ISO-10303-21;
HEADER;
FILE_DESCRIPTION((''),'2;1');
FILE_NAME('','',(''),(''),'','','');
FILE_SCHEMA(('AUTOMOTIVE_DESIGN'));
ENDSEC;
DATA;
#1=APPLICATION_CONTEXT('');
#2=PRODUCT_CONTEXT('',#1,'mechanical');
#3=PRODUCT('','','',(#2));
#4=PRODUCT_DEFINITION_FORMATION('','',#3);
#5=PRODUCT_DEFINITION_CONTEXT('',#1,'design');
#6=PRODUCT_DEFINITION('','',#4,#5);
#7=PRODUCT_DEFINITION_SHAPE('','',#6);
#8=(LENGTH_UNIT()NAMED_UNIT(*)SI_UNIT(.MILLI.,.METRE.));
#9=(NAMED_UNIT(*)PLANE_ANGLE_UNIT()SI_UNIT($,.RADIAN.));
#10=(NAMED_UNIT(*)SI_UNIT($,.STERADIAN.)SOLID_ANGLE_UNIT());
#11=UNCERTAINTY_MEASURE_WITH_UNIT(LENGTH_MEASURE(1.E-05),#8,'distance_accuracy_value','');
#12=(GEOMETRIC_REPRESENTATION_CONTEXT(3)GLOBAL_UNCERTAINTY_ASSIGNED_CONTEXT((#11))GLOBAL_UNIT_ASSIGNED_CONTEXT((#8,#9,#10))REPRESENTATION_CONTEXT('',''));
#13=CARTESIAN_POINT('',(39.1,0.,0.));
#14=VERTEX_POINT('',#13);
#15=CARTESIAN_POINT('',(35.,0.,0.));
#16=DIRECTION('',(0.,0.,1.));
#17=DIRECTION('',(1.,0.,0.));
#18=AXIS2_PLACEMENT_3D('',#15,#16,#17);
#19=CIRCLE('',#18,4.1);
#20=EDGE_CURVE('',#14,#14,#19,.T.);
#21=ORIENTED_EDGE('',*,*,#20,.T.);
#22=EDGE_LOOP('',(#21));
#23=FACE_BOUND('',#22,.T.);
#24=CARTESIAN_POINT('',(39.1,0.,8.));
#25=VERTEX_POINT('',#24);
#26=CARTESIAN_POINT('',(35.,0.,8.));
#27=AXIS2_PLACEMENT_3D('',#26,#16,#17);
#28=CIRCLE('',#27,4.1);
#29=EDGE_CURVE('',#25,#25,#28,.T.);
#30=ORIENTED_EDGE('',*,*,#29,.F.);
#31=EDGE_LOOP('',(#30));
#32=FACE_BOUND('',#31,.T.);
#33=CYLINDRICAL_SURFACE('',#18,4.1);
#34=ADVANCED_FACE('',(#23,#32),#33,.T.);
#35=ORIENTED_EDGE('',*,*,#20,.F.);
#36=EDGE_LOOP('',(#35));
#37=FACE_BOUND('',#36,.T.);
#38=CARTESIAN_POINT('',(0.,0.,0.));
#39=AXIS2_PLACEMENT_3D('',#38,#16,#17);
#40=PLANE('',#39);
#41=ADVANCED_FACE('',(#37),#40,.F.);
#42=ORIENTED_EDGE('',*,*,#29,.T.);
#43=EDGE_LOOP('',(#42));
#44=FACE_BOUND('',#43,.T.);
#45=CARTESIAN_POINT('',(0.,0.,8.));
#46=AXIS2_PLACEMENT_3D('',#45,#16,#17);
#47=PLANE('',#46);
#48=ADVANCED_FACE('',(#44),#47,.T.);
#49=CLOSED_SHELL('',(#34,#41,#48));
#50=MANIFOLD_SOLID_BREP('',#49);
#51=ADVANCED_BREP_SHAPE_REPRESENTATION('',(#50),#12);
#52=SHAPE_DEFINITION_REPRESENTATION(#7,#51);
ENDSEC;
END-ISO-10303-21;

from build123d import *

# Parameters (mm, degrees)
SKETCH_1_R          = 50
EXTRUDE_1_DEPTH     = 8
SKETCH_3_OUTSIDE_W  = 130.33
SKETCH_3_OUTSIDE_H  = 130.33
SKETCH_3_OUTSIDE_R  = 4.1
CUT_EXTRUDE_2_DEPTH = 72.161787499


with BuildPart() as part:
    # 草图1 → 凸台-拉伸1 (new body)
    with BuildSketch(Plane.XY):
        Circle(SKETCH_1_R)
    extrude(amount=EXTRUDE_1_DEPTH)

    # 草图3 outside → 切除-拉伸2 (cut, through all)
    with BuildSketch(Plane.XY.offset(8)):
        Rectangle(SKETCH_3_OUTSIDE_W, SKETCH_3_OUTSIDE_H)
        with Locations((35, 0)):
            Circle(SKETCH_3_OUTSIDE_R, mode=Mode.SUBTRACT)
    extrude(amount=-CUT_EXTRUDE_2_DEPTH, mode=Mode.SUBTRACT)


solid = part.part
